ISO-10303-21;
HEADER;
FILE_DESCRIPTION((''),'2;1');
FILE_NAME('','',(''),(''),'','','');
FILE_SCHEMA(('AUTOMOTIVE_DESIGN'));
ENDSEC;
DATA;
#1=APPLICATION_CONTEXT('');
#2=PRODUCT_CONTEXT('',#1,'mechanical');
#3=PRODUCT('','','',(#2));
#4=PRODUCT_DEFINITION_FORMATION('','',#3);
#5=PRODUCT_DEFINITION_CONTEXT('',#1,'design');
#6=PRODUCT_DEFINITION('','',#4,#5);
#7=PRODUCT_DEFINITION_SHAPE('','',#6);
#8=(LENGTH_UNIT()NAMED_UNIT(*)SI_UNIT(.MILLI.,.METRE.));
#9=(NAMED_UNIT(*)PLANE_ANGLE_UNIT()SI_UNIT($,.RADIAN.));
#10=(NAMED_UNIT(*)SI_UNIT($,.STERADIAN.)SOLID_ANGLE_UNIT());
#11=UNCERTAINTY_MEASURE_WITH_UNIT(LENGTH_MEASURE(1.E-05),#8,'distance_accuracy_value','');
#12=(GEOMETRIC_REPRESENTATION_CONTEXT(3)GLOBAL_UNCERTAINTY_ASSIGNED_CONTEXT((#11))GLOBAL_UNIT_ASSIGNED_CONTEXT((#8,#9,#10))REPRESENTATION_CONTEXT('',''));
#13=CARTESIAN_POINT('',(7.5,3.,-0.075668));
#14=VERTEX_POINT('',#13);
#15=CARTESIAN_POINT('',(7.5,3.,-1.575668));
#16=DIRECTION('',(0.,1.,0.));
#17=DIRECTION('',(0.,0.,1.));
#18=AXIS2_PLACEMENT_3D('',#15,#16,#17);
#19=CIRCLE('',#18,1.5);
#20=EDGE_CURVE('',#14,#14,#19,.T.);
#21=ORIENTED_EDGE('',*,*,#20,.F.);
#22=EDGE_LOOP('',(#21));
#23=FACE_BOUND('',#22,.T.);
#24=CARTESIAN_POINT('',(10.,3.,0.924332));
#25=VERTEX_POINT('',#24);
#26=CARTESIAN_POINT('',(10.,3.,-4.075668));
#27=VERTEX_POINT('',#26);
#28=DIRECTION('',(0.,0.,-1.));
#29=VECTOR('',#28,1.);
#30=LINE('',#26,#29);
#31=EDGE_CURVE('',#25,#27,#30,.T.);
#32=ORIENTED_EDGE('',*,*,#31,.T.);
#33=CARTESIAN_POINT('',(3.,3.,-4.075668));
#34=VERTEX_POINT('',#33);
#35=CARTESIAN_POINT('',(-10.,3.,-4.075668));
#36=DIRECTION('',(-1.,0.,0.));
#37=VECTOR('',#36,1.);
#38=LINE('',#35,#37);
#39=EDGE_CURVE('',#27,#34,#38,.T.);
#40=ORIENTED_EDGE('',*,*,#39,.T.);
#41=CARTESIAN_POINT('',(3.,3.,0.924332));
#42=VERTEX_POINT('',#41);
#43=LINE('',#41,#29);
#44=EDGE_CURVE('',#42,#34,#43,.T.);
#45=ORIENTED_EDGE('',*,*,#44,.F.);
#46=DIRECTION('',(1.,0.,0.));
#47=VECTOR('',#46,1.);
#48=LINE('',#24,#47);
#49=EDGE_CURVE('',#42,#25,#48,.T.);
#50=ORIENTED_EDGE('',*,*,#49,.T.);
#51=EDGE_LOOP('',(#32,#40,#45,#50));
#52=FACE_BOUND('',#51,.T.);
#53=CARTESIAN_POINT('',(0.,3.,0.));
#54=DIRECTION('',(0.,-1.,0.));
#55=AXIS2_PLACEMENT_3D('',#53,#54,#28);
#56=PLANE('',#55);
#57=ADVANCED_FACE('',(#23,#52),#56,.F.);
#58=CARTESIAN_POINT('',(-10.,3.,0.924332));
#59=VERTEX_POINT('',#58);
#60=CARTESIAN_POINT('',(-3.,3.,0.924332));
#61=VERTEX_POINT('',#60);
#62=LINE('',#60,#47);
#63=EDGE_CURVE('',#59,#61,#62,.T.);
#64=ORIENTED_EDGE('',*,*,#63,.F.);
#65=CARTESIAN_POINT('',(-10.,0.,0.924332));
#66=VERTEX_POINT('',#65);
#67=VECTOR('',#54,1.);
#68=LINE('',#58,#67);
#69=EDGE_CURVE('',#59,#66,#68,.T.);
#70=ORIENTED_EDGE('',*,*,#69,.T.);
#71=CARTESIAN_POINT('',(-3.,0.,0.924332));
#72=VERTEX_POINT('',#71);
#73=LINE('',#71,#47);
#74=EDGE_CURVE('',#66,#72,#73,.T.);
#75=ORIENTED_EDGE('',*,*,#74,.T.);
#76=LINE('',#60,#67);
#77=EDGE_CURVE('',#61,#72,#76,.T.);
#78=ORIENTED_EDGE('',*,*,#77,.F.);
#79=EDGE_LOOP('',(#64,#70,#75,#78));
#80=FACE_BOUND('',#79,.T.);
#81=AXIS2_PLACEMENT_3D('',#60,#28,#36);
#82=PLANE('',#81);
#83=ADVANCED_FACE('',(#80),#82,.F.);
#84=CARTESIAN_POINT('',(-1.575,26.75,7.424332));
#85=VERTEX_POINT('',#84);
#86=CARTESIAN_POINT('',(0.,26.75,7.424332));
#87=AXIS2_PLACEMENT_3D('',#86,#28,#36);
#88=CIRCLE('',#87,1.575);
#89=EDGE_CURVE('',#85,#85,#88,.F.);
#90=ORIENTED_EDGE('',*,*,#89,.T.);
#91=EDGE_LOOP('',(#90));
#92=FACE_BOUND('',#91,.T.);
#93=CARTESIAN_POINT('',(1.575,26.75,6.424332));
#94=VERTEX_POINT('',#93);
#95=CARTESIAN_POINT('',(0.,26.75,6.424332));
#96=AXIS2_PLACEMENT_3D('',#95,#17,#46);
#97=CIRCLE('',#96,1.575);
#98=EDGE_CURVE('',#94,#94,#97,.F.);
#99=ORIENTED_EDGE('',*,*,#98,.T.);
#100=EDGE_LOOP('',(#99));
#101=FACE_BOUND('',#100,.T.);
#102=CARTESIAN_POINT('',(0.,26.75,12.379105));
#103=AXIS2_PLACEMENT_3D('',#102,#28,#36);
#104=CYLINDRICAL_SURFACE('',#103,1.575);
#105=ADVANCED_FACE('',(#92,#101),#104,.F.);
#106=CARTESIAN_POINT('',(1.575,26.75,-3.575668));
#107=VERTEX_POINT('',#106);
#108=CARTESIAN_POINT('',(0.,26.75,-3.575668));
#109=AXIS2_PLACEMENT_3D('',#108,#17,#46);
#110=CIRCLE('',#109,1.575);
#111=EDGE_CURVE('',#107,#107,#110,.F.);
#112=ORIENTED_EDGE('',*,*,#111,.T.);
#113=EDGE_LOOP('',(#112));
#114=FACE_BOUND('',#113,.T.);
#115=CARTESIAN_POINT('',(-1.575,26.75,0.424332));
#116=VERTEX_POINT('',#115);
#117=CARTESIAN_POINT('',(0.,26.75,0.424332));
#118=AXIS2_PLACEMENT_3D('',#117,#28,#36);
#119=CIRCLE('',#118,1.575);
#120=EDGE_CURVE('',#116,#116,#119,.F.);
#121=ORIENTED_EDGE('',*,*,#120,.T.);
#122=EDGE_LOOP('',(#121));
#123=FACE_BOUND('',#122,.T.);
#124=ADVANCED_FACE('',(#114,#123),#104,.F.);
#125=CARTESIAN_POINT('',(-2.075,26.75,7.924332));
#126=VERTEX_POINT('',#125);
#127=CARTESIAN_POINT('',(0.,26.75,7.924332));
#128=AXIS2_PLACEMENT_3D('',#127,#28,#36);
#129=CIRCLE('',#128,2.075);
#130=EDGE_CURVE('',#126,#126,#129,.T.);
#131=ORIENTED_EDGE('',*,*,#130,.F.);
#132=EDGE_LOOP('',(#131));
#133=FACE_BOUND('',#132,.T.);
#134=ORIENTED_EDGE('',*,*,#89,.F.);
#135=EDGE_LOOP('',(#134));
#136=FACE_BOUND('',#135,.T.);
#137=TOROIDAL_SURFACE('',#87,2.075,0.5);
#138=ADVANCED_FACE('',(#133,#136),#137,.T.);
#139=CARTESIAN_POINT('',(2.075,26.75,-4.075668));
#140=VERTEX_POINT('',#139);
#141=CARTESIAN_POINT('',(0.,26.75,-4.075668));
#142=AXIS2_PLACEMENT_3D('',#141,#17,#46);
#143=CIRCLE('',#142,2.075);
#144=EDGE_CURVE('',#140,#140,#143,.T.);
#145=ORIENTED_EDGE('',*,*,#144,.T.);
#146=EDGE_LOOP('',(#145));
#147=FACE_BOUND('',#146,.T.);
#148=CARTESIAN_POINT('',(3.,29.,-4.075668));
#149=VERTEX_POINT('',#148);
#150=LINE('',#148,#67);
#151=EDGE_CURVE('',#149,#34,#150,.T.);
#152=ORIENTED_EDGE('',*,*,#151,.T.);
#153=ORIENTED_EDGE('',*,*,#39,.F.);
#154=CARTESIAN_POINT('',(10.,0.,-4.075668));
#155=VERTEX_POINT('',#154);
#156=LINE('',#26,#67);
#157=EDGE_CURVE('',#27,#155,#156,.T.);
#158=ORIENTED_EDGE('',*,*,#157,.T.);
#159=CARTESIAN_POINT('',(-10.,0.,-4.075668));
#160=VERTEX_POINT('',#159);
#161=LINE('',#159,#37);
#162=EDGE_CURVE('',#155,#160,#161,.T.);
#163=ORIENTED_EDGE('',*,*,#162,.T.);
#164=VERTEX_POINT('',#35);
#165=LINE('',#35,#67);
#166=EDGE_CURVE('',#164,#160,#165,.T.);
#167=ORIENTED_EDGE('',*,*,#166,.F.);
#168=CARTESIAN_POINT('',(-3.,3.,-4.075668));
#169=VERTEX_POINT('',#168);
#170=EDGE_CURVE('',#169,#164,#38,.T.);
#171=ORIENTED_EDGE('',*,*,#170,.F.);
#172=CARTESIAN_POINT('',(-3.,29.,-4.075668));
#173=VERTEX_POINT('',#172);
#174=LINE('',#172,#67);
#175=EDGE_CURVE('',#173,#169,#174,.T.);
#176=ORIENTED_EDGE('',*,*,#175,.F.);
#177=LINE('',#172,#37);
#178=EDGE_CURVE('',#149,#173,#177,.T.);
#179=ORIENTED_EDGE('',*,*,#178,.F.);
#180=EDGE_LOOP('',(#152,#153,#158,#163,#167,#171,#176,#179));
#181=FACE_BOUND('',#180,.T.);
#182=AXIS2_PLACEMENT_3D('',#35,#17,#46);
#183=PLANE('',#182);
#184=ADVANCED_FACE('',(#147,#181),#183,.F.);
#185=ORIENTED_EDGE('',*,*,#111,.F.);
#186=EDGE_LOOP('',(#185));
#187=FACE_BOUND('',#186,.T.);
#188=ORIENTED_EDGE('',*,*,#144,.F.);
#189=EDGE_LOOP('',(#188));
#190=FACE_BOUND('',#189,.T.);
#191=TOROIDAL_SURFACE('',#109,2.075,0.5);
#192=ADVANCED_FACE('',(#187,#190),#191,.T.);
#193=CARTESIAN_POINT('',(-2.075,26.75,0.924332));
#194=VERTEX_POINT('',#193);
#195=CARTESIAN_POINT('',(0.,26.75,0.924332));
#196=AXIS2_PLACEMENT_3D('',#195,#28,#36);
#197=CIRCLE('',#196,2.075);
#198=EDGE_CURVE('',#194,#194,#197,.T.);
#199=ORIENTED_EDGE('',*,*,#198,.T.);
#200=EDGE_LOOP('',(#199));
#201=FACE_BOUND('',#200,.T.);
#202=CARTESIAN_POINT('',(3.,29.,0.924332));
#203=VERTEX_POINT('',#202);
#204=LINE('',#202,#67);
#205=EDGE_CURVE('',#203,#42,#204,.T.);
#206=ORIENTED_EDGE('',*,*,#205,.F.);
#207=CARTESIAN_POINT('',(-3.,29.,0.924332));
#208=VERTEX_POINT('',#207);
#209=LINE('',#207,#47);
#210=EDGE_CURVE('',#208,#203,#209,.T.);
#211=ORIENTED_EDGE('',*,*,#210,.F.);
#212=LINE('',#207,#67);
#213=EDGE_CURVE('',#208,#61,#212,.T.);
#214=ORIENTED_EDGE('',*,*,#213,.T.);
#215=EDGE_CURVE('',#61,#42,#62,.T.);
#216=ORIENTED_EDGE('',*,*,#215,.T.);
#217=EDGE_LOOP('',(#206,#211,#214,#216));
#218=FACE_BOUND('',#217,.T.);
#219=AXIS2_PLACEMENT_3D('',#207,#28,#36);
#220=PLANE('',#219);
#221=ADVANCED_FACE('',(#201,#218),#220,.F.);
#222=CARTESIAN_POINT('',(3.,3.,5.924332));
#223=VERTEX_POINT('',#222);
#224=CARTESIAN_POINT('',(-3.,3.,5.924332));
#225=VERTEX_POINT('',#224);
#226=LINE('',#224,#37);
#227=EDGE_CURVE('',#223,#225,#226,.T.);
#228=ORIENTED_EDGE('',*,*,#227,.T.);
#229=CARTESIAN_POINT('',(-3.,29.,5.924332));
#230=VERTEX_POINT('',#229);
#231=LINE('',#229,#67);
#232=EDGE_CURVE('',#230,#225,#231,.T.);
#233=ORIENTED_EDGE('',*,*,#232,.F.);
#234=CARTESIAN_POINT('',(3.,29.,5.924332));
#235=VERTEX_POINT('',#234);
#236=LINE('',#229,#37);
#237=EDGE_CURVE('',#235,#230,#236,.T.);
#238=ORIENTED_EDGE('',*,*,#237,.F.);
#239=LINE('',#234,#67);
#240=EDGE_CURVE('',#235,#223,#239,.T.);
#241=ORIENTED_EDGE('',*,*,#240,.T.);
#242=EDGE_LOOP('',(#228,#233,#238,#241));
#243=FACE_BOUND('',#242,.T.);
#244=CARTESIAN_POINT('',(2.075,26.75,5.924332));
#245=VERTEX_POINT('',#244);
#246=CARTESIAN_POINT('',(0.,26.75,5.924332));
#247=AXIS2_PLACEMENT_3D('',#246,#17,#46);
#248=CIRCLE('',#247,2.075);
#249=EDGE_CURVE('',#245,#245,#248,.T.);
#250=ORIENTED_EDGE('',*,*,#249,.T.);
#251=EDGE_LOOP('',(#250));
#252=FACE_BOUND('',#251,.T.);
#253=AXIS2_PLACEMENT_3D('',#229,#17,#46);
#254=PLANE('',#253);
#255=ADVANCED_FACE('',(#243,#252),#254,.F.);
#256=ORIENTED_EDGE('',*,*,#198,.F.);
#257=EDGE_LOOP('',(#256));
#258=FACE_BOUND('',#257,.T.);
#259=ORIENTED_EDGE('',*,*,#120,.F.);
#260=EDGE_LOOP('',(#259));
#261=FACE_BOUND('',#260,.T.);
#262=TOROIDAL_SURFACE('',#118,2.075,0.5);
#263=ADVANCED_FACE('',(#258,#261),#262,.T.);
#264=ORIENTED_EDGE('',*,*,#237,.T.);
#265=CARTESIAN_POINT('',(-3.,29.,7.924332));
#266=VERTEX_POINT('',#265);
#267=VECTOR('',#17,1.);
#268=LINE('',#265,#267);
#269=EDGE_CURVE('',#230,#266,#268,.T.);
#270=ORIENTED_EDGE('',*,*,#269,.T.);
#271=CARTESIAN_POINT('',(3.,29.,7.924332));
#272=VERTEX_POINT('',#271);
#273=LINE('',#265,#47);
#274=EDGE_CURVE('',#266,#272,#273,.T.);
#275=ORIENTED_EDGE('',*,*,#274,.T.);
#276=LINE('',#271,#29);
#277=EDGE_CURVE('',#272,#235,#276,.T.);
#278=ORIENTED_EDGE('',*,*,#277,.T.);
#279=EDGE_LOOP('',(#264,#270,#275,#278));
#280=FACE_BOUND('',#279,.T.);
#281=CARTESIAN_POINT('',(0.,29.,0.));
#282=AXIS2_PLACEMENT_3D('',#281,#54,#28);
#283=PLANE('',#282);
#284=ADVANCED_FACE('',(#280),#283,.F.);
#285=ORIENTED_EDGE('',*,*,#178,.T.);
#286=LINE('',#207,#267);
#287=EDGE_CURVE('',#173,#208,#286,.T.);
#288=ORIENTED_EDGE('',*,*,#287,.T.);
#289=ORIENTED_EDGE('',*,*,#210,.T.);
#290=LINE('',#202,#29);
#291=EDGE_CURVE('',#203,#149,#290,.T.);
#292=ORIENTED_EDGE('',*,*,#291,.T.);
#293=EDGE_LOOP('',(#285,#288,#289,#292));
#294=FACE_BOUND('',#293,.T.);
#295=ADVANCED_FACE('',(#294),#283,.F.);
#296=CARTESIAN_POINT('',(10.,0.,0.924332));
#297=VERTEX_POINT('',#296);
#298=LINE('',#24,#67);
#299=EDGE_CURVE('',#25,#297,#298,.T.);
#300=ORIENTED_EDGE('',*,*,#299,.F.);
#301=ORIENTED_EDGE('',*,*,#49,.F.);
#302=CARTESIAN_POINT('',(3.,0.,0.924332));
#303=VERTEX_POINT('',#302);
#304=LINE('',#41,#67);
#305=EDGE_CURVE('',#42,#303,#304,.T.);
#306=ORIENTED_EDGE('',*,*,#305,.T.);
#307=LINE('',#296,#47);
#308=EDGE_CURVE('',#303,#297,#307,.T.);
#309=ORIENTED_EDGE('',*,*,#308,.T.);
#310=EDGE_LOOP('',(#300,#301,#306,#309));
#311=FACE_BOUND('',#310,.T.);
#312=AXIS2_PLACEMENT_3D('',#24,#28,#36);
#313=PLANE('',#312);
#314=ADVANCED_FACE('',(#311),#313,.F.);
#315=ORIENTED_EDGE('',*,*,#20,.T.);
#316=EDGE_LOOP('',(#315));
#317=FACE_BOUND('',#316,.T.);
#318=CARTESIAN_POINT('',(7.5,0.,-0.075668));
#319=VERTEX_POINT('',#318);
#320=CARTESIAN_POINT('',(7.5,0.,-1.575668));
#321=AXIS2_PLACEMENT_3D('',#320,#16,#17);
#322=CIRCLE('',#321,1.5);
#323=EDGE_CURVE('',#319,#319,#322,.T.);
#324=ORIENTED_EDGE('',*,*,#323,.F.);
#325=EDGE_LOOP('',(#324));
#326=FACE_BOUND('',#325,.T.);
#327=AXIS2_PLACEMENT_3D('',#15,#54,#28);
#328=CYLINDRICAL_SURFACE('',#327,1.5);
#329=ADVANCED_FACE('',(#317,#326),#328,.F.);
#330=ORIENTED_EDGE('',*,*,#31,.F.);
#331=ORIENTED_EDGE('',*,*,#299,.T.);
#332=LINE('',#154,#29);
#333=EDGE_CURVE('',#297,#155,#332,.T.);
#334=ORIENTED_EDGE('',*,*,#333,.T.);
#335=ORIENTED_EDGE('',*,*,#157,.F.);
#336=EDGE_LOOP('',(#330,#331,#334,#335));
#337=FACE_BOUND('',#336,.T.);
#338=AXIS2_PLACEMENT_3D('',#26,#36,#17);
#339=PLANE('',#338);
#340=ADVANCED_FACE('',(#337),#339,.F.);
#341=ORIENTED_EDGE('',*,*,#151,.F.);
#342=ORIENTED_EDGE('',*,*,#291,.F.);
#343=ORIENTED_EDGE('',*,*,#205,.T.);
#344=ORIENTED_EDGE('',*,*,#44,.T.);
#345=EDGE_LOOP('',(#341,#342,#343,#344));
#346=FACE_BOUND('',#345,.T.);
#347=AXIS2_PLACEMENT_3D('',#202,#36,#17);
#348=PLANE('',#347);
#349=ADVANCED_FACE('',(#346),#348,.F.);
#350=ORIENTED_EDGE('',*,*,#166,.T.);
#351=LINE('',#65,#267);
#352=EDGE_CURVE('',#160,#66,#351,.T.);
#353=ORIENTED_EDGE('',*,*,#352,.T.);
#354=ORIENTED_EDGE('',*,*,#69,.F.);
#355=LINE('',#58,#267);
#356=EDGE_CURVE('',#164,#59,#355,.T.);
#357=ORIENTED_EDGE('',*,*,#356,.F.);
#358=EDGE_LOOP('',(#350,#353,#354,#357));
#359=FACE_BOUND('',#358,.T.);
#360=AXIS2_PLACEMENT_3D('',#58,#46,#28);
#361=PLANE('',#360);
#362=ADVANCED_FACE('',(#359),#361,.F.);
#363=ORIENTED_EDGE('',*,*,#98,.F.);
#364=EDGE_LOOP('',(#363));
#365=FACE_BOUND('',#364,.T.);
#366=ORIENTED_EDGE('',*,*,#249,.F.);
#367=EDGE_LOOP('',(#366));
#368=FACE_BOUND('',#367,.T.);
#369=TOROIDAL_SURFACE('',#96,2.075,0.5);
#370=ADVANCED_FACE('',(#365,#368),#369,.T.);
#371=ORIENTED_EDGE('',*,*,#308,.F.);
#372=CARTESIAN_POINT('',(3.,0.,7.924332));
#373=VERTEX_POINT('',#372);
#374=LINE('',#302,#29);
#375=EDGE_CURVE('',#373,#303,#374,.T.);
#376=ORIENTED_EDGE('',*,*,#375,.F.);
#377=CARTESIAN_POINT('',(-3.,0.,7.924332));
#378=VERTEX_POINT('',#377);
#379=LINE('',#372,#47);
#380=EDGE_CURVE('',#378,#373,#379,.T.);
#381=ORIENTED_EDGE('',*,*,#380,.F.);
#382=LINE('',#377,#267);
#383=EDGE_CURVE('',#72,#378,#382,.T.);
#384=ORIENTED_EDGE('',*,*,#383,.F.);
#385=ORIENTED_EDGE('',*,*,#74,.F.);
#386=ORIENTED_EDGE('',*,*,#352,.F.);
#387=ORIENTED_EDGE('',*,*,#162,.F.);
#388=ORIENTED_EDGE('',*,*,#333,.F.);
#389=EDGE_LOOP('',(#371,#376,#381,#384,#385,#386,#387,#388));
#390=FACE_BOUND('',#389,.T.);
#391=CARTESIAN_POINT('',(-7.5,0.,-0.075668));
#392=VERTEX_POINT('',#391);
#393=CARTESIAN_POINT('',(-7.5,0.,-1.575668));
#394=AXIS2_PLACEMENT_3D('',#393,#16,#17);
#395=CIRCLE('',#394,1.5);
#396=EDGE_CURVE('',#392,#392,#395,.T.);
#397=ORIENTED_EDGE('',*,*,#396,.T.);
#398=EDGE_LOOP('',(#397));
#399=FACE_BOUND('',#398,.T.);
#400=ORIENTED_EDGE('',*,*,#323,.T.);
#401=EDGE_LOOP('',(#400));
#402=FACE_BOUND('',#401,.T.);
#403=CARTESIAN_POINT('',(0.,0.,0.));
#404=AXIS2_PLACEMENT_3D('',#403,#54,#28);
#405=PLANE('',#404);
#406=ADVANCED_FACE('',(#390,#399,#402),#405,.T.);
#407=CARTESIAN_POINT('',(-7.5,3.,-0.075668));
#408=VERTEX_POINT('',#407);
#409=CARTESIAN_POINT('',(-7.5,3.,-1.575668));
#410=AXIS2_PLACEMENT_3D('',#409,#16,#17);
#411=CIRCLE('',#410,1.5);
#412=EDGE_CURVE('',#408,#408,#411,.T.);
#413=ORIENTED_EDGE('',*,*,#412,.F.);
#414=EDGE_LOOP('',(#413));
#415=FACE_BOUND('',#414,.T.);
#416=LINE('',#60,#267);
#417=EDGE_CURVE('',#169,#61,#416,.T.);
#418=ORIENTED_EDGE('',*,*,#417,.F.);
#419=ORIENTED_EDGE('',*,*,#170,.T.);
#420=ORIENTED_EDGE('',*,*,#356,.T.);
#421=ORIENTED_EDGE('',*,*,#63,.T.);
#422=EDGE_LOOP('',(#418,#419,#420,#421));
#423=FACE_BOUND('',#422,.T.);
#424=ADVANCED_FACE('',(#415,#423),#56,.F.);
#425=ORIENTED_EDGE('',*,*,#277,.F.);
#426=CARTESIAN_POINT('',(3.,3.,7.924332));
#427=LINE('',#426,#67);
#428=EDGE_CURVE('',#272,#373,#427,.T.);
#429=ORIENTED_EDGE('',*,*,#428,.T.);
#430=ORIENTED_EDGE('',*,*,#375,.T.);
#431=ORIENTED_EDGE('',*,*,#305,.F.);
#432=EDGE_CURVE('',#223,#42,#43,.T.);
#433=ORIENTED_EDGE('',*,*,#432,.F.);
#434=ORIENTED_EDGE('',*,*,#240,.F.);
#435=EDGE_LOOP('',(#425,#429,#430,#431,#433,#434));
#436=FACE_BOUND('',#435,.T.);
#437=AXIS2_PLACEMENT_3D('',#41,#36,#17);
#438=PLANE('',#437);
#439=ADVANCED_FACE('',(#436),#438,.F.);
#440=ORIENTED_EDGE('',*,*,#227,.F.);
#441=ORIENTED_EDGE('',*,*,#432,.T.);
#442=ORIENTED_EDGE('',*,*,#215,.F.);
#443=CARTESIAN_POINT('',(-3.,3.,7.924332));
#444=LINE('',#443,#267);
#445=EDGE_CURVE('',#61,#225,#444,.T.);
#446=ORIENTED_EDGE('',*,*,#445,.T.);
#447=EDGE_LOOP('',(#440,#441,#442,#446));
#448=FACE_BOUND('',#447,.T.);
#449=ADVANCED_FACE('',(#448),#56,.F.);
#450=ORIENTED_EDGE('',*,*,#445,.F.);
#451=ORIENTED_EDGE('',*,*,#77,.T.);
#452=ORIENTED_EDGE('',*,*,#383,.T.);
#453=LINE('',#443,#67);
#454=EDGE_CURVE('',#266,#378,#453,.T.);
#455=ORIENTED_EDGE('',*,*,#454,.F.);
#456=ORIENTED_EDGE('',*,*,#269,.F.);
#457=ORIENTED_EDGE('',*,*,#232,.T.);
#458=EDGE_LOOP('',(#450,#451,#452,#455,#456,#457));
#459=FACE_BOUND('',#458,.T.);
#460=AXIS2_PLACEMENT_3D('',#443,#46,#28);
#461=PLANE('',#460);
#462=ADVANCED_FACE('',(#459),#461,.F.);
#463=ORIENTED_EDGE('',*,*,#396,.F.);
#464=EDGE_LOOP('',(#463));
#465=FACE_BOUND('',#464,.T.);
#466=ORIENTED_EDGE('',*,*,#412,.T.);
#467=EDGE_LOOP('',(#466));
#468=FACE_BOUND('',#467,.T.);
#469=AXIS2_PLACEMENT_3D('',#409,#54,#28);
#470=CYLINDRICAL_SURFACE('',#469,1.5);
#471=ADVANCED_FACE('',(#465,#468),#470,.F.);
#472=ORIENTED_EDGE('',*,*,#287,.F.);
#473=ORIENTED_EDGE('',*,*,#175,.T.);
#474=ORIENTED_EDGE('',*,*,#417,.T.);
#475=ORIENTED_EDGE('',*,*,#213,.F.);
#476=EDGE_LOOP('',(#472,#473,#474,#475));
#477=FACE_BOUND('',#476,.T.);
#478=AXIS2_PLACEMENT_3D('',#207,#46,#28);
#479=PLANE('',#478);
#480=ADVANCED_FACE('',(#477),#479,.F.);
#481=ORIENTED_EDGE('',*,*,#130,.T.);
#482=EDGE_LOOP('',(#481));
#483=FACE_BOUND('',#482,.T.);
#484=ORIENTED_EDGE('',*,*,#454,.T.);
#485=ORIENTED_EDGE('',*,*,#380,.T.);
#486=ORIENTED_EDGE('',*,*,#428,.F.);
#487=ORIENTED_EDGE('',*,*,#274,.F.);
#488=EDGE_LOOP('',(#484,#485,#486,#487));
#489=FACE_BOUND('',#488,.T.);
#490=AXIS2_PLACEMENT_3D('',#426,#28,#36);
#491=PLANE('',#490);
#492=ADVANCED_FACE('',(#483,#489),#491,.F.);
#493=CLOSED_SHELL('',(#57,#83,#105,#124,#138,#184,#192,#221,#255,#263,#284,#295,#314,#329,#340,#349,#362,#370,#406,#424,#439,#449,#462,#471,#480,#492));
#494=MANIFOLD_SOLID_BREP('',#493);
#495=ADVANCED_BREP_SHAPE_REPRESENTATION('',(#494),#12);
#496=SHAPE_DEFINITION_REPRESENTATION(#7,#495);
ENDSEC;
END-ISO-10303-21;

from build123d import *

# Parameters (mm, degrees)
SKETCH1_R           = 1.5
BOSS_EXTRUDE1_DEPTH = 3
SKETCH2_W           = 6
SKETCH2_H           = 5
SKETCH2_H_2         = 2
BOSS_EXTRUDE2_DEPTH = 26
CUT_EXTRUDE1_REACH  = 34.939
SKETCH3_R           = 1.575
FILLET1_R           = 0.5


with BuildPart() as part:
    # Sketch1 → Boss-Extrude1 (new body)
    with BuildSketch(Plane(origin=(0, 0, 0), x_dir=(1, 0, 0), z_dir=(0, 1, 0))):
        Polygon((-10, 4.075667656), (10, 4.075667656), (10, -0.924332344), (3, -0.924332344), (3, -7.924332344), (-3, -7.924332344), (-3, -0.924332344), (-10, -0.924332344), align=None)
        with Locations(Location((7.5, 1.575667656, 0), (0, 0, 270))):
            Circle(SKETCH1_R, mode=Mode.SUBTRACT)
        with Locations(Location((-7.5, 1.575667656, 0), (0, 0, 270))):
            Circle(SKETCH1_R, mode=Mode.SUBTRACT)
    extrude(amount=BOSS_EXTRUDE1_DEPTH)

    # Sketch2 → Boss-Extrude2 (add)
    with BuildSketch(Plane(origin=(0, 3, 0), x_dir=(1, 0, 0), z_dir=(0, 1, 0))):
        with Locations((0, 1.575667656)):
            Rectangle(SKETCH2_W, SKETCH2_H)
        with Locations((0, -6.924332344)):
            Rectangle(SKETCH2_W, SKETCH2_H_2)
    extrude(amount=BOSS_EXTRUDE2_DEPTH)

    # Cut-Extrude1: up to this face of the body (flat: up to its plane)
    cut_extrude1_end = Plane(part.part.faces().sort_by_distance((0, 14.5, 7.924332344))[0])
    # Sketch3 → Cut-Extrude1 (cut, up to the picked face)
    with BuildSketch(Plane(origin=(0, 0, -4.075667656), x_dir=(-1, 0, 0), z_dir=(0, 0, -1)), mode=Mode.PRIVATE) as cut_extrude1_sk1:
        with Locations((0, 26.75)):
            Circle(SKETCH3_R)
    cut_extrude1_tool1 = split(extrude(cut_extrude1_sk1.sketch, amount=-CUT_EXTRUDE1_REACH, mode=Mode.PRIVATE), bisect_by=cut_extrude1_end, keep=Keep.BOTH, mode=Mode.PRIVATE)
    add(cut_extrude1_tool1.solids().sort_by(Axis((0, 26.75, -4.075668), (0, 0, 1)))[0], mode=Mode.SUBTRACT)

    # Fillet1
    fillet1_edges = [part.edges().sort_by_distance(p)[0] for p in [
        (1.575, 26.75, 0.924332344),
        (1.575, 26.75, 5.924332344),
        (1.575, 26.75, -4.075667656),
        (1.575, 26.75, 7.924332344),
    ]]
    fillet(fillet1_edges, radius=FILLET1_R)


solid = part.part
